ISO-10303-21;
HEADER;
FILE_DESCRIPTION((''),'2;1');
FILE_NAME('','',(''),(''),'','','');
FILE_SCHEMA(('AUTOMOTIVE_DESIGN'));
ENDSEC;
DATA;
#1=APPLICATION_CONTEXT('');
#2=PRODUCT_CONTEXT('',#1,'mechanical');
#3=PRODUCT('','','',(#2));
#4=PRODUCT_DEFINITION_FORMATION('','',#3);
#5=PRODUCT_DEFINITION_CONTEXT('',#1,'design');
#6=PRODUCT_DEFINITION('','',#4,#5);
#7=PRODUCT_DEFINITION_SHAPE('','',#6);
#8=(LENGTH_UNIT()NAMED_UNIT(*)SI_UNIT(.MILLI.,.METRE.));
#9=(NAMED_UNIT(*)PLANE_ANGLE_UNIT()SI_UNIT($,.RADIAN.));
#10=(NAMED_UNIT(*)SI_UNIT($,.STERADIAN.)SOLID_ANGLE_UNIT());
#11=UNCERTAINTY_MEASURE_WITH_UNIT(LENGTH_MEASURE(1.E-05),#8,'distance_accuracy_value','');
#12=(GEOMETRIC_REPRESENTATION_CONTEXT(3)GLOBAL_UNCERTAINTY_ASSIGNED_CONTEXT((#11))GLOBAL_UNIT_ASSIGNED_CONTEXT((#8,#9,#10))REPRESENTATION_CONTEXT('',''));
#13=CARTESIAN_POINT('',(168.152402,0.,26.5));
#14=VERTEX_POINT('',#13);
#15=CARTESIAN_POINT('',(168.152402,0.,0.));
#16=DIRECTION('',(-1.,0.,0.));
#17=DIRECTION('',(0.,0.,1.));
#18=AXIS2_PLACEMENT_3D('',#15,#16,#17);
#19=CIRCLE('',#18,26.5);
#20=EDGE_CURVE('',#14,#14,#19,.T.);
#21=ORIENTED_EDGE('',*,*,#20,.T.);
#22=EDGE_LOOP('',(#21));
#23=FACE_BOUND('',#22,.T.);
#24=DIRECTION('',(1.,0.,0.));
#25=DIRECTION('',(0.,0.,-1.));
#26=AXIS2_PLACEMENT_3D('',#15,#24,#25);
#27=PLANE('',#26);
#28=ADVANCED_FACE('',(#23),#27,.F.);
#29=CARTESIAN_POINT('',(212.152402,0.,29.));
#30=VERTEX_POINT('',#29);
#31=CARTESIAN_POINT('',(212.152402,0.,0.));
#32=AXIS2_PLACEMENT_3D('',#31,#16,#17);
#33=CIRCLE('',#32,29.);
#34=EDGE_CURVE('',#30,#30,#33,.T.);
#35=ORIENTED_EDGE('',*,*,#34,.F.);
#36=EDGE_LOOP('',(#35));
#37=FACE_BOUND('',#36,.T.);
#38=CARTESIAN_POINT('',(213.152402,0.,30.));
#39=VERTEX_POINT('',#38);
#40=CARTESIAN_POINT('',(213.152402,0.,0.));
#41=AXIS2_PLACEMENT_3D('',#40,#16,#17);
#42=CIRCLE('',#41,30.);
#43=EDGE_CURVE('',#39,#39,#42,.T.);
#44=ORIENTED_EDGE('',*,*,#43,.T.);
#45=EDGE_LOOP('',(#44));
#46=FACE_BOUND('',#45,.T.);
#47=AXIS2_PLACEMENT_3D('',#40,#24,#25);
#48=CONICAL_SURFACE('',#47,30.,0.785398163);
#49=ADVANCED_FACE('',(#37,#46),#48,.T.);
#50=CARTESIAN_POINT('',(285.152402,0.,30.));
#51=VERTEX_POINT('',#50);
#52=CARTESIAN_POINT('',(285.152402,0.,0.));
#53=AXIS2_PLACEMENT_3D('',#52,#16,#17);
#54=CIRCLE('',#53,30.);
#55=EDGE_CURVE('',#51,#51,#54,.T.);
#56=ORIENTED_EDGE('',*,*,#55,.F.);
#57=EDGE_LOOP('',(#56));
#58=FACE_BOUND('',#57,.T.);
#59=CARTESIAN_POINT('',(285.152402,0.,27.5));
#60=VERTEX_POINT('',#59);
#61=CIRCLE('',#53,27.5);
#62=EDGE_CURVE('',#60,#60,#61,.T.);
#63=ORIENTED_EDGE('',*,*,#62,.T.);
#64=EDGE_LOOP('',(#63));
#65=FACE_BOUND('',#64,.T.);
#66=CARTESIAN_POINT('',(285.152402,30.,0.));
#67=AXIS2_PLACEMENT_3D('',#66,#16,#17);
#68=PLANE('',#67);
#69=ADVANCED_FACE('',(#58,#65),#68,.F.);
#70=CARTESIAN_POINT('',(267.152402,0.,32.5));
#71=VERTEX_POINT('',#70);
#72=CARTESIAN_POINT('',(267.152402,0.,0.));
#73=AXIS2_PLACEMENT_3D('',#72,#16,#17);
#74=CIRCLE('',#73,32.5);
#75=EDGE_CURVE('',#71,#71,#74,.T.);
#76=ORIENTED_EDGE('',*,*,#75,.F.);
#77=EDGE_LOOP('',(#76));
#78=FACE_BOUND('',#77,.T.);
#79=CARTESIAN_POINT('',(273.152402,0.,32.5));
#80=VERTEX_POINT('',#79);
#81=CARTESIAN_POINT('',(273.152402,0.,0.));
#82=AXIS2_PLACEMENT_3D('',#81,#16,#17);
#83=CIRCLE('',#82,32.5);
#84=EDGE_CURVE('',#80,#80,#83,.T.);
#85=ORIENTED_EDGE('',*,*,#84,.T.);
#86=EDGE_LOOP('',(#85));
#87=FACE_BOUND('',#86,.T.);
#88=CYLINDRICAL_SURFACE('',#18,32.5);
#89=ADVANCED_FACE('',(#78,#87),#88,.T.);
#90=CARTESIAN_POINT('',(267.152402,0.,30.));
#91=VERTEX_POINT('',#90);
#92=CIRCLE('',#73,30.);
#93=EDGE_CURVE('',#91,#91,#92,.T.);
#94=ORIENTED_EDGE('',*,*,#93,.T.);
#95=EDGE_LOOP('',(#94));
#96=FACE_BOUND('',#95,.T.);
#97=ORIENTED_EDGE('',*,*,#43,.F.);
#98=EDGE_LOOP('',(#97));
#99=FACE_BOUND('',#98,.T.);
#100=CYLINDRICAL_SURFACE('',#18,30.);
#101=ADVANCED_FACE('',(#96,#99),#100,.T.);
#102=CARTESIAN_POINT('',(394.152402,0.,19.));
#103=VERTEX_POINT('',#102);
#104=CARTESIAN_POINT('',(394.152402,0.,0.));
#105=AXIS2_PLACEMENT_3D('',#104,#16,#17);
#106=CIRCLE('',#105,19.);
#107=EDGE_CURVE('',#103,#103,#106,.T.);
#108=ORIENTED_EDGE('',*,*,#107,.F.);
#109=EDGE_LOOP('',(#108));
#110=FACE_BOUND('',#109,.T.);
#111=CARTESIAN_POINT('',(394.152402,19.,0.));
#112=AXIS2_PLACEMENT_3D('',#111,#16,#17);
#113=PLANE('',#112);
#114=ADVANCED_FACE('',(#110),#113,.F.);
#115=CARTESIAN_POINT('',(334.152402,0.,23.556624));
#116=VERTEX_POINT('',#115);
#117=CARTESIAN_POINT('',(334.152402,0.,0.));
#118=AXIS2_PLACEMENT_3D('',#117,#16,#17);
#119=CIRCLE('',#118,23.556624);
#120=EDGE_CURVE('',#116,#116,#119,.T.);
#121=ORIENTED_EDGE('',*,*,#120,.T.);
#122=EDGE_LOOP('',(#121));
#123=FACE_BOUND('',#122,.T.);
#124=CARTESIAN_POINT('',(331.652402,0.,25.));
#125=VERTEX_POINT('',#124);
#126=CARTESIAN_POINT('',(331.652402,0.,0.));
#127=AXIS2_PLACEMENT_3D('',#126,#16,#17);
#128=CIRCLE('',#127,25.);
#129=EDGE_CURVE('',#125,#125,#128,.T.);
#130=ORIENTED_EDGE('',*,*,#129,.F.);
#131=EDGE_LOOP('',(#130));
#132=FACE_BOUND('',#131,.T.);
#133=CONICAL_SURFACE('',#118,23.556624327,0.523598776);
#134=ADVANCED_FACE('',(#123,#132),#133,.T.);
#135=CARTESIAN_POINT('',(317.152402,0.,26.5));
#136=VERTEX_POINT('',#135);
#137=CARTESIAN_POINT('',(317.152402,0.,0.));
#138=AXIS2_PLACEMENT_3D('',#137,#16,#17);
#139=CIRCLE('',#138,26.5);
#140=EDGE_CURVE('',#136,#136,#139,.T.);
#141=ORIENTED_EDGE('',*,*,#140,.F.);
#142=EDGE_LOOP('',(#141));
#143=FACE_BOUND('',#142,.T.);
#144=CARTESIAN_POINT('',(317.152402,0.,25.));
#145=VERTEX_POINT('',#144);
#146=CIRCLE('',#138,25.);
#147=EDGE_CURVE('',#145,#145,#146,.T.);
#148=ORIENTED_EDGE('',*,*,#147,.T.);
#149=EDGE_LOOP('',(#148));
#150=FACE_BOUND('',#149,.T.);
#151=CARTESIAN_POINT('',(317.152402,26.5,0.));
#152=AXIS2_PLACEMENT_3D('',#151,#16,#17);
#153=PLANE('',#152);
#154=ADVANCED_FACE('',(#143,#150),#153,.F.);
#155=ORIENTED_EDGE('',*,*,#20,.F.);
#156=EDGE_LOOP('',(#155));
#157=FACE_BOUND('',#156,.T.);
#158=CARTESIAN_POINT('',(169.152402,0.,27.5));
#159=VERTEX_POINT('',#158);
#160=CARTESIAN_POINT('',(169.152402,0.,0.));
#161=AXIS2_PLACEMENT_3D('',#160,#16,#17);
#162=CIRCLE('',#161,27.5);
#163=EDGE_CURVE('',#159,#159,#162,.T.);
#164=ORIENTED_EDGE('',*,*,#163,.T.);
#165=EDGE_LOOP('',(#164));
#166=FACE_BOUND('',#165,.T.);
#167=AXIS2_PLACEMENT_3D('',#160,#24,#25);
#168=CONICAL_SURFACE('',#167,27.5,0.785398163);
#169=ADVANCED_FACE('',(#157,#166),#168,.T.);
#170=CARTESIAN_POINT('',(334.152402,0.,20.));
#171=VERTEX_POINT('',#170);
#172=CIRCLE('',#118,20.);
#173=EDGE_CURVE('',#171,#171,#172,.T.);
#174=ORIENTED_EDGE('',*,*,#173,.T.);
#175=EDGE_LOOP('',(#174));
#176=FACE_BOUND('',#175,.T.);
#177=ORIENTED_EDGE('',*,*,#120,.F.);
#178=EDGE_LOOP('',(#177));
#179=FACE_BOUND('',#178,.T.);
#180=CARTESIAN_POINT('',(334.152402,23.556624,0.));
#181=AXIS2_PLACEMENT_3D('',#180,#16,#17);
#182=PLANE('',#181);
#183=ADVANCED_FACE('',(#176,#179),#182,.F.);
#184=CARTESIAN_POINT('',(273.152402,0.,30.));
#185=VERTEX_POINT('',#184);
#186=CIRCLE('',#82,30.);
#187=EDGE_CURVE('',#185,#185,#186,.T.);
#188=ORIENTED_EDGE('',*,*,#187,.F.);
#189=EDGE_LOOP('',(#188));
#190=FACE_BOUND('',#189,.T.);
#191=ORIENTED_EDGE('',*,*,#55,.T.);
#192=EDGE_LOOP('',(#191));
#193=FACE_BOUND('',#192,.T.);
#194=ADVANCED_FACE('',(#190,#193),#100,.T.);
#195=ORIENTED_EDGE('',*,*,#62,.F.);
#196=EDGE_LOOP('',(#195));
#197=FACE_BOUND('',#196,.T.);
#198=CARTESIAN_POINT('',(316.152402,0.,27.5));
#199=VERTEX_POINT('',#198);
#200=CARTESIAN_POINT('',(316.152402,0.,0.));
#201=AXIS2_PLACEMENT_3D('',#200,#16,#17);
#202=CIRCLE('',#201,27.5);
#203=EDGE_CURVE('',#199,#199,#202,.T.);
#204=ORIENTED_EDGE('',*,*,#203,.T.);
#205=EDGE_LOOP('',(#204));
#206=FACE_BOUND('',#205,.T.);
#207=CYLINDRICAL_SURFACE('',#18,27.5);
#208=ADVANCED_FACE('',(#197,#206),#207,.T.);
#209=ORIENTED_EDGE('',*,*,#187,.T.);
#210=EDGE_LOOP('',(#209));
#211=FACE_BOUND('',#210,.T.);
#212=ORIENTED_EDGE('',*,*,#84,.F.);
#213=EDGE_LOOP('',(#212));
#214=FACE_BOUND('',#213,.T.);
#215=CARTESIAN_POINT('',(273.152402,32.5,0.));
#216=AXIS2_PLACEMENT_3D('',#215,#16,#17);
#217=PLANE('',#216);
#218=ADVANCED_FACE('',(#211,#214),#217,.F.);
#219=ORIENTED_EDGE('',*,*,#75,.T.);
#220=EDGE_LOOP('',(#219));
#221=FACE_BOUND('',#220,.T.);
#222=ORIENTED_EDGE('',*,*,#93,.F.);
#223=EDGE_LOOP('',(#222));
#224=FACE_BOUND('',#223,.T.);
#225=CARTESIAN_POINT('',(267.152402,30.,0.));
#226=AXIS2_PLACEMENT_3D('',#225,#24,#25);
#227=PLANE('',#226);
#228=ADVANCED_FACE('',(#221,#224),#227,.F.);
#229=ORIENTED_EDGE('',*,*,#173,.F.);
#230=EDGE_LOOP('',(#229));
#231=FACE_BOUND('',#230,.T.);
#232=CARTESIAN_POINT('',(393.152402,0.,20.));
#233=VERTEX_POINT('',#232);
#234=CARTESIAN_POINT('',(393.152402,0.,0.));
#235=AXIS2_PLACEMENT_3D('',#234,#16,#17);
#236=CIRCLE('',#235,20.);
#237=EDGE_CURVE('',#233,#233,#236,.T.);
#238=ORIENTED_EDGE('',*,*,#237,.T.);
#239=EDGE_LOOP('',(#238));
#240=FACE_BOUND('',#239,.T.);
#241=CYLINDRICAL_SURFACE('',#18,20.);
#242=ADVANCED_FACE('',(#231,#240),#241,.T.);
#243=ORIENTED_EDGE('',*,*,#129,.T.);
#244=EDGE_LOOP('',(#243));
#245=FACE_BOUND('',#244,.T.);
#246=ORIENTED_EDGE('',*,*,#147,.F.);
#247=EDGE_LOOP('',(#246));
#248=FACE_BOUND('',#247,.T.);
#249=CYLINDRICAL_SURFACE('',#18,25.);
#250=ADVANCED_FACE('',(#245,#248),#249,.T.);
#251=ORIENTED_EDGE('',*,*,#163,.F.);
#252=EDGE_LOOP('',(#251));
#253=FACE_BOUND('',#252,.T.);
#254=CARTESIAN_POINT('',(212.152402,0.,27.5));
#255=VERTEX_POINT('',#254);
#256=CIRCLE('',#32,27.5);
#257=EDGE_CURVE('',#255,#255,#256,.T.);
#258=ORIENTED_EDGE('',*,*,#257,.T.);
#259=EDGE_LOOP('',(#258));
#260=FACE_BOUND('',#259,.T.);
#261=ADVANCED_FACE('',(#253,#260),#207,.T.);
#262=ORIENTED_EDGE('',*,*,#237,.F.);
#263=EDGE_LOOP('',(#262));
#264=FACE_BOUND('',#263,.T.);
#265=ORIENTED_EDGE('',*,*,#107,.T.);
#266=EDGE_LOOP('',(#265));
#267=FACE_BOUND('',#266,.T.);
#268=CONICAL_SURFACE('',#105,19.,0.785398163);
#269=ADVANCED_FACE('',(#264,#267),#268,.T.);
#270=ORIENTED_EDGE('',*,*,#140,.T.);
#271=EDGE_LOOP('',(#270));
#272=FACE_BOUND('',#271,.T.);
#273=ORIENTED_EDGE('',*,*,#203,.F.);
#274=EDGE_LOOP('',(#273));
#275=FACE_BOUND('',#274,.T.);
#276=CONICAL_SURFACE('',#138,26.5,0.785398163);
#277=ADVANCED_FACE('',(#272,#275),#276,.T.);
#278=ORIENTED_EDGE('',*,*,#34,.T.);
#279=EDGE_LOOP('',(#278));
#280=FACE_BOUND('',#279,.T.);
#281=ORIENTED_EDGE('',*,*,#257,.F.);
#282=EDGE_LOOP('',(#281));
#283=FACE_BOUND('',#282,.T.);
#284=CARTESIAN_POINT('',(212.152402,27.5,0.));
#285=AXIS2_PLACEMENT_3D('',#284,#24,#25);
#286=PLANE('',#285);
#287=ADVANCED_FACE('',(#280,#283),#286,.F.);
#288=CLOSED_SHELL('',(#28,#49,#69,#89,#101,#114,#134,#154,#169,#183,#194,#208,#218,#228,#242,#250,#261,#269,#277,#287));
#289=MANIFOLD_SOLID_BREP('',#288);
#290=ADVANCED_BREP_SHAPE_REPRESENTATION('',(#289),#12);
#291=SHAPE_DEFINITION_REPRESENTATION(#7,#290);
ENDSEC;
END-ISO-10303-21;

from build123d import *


with BuildPart() as part:
    # Skizze1 → Rotation1 (revolve)
    with BuildSketch(Plane.XY, mode=Mode.PRIVATE) as rotation1_sk:
        Polygon((168.152402442, 0), (168.152402442, 26.5), (169.152402442, 27.5), (184.152402442, 27.5), (212.152402442, 27.5), (212.152402442, 29), (213.152402442, 30), (267.152402442, 30), (267.152402442, 32.5), (273.152402442, 32.5), (273.152402442, 30), (285.152402442, 30), (285.152402442, 27.5), (297.652402442, 27.5), (316.152402442, 27.5), (317.152402442, 26.5), (317.152402442, 25), (331.652402442, 25), (334.152402442, 23.556624327), (334.152402442, 20), (393.152402442, 20), (394.152402442, 19), (394.152402442, 0), align=None)
    revolve(rotation1_sk.sketch.rotate(Axis((168.152402442, 0, 0), (1, 0, 0)), 90), axis=Axis((168.152402442, 0, 0), (1, 0, 0)))  # turned: the seam where the file's is


solid = part.part
